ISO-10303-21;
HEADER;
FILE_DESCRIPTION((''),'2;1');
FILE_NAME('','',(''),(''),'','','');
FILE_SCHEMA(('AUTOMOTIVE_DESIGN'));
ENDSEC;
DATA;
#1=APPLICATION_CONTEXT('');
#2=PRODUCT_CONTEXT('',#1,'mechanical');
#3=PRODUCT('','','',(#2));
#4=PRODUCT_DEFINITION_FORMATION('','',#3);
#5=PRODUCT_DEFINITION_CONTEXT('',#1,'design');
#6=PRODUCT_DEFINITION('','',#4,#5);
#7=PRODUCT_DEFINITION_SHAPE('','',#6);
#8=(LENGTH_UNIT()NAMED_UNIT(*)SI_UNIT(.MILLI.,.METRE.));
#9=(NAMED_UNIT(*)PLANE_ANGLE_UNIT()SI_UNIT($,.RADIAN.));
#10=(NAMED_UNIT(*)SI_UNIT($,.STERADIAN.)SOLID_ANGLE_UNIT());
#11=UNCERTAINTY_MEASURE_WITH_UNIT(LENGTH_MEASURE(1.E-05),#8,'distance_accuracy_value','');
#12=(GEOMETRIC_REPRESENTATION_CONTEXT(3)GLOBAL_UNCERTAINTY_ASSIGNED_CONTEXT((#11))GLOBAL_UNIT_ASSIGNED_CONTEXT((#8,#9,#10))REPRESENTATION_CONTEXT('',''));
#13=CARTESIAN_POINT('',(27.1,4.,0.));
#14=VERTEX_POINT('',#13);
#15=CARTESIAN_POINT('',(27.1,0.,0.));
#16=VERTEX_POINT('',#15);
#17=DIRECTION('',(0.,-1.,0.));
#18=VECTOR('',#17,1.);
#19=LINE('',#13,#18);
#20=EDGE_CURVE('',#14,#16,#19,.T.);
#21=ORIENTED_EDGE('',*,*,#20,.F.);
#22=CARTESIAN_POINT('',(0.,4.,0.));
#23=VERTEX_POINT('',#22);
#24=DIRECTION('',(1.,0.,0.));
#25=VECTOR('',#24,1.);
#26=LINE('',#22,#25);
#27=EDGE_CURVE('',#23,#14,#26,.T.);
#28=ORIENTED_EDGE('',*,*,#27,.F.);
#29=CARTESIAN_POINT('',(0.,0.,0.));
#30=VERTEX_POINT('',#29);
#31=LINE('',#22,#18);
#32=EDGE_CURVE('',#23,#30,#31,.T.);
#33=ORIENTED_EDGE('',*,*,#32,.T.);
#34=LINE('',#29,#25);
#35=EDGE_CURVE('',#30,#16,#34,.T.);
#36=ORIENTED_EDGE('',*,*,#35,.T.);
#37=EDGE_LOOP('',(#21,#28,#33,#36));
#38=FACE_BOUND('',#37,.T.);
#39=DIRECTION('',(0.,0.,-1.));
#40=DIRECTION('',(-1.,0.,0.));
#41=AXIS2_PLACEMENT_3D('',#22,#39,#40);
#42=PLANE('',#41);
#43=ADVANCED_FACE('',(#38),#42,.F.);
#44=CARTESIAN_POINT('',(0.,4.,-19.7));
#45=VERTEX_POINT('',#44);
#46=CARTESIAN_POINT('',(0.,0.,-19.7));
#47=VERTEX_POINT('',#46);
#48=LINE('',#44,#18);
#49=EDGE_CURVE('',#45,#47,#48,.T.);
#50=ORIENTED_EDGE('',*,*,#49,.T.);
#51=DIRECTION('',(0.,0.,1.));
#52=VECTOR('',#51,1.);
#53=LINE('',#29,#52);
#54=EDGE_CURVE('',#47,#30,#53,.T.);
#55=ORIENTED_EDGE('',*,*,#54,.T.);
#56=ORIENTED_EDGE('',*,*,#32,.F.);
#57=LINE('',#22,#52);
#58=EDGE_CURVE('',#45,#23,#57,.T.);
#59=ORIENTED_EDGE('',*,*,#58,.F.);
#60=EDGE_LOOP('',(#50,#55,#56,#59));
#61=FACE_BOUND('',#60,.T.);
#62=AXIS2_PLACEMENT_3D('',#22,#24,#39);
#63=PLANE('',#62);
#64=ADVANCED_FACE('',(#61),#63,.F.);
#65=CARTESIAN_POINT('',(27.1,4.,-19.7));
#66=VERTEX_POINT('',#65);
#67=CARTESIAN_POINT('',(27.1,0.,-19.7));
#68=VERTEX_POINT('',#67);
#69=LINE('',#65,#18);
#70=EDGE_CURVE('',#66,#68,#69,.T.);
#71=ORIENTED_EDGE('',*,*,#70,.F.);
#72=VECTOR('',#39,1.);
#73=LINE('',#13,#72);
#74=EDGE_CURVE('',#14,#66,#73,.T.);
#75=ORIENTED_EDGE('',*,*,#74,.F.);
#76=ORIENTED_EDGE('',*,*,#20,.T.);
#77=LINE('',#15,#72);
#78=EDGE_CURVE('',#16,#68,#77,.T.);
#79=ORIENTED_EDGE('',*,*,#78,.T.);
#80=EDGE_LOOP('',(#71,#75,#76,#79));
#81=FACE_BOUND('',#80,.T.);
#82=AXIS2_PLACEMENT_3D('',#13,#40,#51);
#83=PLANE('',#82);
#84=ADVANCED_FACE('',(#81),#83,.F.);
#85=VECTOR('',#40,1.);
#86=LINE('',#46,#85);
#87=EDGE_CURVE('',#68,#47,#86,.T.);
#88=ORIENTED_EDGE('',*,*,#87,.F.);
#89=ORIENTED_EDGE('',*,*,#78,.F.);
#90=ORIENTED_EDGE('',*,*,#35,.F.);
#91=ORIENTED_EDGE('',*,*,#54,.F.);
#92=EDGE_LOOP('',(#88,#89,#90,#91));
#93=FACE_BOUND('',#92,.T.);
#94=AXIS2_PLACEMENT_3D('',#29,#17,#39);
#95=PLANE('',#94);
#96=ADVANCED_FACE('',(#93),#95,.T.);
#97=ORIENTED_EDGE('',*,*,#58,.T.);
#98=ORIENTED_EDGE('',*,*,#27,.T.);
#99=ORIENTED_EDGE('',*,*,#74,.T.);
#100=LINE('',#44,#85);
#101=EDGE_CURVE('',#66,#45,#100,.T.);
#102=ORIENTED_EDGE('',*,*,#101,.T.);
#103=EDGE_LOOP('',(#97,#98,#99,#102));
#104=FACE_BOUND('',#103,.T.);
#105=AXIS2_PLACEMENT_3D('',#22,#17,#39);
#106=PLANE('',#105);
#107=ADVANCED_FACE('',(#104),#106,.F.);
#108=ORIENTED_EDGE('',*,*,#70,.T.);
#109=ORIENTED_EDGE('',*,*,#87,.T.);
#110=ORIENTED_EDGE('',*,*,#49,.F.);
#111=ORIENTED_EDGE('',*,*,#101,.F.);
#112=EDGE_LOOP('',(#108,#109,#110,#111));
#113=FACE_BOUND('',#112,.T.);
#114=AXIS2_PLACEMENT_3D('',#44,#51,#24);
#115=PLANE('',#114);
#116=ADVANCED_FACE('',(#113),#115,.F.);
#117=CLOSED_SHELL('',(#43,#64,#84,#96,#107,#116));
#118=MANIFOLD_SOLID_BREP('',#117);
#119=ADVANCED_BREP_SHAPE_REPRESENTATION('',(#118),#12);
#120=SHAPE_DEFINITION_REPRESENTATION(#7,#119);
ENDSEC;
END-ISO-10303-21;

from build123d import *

# Parameters (mm, degrees)
SKETCH_1_W      = 27.1
SKETCH_1_H      = 19.7
EXTRUDE_1_DEPTH = 4


with BuildPart() as part:
    # 草图1 → 凸台-拉伸1 (new body)
    with BuildSketch(Plane(origin=(0, 0, 0), x_dir=(1, 0, 0), z_dir=(0, 1, 0))):
        with Locations((13.55, 9.85)):
            Rectangle(SKETCH_1_W, SKETCH_1_H)
    extrude(amount=EXTRUDE_1_DEPTH)


solid = part.part
